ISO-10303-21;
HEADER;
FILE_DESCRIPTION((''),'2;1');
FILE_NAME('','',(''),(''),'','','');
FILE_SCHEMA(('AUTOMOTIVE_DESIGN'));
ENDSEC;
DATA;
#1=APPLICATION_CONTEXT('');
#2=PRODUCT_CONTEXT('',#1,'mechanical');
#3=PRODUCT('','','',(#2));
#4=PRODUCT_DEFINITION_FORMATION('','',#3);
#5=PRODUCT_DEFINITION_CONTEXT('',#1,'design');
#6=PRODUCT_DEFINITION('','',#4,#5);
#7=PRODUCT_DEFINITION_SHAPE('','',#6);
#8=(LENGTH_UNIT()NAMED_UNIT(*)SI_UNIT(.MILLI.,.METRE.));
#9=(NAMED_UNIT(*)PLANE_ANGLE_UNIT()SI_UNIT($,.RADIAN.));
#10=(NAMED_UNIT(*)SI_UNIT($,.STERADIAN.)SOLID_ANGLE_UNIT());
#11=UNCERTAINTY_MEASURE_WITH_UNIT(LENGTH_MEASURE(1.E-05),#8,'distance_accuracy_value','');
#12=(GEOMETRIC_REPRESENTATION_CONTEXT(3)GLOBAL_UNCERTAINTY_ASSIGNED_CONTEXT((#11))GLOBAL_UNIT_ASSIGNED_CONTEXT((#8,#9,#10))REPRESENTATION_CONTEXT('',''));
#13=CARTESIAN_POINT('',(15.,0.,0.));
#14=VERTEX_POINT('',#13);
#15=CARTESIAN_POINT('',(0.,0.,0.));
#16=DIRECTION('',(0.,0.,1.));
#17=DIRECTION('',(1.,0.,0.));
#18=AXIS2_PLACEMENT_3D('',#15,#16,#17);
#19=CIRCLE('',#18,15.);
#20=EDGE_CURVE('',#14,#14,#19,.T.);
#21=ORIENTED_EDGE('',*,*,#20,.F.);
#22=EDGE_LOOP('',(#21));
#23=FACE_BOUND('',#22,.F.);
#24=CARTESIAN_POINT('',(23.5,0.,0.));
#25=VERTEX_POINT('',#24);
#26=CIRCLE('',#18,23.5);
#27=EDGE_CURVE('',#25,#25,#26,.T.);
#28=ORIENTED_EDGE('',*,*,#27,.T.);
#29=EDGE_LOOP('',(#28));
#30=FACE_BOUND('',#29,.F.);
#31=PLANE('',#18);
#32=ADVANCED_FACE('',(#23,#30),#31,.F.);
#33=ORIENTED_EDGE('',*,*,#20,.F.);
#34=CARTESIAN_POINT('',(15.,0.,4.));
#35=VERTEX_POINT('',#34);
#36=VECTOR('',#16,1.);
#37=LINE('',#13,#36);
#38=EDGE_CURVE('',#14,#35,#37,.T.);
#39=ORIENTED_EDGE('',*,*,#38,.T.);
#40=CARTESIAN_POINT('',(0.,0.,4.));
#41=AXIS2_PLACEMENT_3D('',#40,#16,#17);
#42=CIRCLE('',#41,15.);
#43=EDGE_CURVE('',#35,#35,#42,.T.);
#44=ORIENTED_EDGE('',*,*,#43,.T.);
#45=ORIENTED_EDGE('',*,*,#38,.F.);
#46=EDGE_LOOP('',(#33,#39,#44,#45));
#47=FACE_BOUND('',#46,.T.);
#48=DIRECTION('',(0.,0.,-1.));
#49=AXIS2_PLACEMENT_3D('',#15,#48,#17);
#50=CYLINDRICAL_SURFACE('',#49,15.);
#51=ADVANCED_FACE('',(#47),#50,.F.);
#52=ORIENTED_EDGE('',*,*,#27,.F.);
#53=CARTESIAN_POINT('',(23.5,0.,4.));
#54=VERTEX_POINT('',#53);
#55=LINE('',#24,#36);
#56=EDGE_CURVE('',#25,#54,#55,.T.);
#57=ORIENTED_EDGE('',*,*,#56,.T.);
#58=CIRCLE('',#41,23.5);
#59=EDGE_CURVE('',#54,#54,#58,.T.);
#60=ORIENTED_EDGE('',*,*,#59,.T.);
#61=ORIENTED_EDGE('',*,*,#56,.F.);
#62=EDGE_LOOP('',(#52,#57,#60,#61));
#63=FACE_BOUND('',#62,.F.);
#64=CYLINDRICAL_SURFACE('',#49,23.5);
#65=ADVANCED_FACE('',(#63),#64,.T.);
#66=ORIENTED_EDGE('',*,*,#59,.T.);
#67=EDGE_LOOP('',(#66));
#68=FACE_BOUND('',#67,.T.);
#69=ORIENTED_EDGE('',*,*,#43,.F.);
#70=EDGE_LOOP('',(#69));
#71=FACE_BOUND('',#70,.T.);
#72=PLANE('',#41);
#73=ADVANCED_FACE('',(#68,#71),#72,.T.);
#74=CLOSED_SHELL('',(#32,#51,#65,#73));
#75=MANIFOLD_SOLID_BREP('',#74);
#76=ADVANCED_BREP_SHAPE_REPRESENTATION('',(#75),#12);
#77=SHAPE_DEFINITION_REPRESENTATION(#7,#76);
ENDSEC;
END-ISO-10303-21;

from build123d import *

# Parameters (mm, degrees)
SKETCH_R   = 23.5
SKETCH_R_2 = 15
PAD_DEPTH  = 4


with BuildPart() as part:
    # Sketch → Pad (new body)
    with BuildSketch(Plane.XY):
        Circle(SKETCH_R)
        Circle(SKETCH_R_2, mode=Mode.SUBTRACT)
    extrude(amount=PAD_DEPTH)


solid = part.part
